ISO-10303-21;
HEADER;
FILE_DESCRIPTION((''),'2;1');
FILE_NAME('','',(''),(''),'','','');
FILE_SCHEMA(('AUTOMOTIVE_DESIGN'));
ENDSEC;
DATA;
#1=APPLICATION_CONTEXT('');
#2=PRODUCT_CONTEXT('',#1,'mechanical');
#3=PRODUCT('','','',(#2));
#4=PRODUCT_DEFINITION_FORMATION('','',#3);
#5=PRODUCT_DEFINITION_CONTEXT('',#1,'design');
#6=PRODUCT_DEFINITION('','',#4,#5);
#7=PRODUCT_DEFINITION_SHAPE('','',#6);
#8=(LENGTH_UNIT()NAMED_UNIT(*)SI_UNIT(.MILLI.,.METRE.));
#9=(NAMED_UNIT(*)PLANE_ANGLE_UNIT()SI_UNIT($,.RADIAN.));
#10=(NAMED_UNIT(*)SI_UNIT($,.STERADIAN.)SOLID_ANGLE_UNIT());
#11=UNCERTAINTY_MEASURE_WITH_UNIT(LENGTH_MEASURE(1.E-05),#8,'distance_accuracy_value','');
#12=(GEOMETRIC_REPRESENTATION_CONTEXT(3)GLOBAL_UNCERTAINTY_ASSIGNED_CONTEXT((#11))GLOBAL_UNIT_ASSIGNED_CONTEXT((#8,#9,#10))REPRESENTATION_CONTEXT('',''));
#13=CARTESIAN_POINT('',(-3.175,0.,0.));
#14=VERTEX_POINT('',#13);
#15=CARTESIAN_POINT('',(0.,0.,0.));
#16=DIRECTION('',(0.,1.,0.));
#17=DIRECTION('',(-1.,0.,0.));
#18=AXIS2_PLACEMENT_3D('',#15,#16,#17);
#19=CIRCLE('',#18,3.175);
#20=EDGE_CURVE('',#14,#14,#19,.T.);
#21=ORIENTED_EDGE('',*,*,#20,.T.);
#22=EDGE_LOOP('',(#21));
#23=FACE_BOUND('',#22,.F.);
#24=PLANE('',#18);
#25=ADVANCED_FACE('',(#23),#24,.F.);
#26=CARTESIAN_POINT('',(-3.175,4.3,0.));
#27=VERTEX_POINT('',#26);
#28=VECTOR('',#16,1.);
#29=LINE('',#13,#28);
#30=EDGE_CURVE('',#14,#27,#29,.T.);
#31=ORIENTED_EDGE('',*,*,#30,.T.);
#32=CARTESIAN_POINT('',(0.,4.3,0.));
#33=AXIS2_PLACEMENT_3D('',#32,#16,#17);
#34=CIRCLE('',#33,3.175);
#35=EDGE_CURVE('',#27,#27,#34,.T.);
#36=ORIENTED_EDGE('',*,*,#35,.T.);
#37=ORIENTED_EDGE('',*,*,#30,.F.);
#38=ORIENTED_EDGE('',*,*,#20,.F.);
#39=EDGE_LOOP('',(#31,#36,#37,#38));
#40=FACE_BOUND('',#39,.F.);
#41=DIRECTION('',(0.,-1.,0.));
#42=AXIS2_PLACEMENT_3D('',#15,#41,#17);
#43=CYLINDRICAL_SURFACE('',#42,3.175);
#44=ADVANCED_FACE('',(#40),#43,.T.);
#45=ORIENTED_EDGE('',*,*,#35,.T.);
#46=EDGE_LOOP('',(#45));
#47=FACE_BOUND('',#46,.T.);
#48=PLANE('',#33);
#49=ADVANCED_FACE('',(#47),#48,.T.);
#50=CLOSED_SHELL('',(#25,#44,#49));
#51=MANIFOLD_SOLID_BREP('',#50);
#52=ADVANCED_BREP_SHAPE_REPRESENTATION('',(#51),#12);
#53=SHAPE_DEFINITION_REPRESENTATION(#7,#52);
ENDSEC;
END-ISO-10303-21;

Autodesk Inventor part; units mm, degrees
ref_plane "YZ Plane" through (0, 0, 0) normal (1, 0, 0) x (0, 1, 0)
ref_plane "XZ Plane" through (0, 0, 0) normal (0, 1, 0) x (-1, 0, 0)
ref_plane "XY Plane" through (0, 0, 0) normal (0, 0, 1) x (1, 0, 0)
sketch "Sketch1" plane through (0, 0, 0) normal (0, 1, 0) x (-1, 0, 0)
  circle A0 centre (0, 0) radius 3.175
  dimension "d0" = 6.35
extrude "Extrusion1" add sketch "Sketch1" along normal blind 4.3
properties part number "Blue filter"
